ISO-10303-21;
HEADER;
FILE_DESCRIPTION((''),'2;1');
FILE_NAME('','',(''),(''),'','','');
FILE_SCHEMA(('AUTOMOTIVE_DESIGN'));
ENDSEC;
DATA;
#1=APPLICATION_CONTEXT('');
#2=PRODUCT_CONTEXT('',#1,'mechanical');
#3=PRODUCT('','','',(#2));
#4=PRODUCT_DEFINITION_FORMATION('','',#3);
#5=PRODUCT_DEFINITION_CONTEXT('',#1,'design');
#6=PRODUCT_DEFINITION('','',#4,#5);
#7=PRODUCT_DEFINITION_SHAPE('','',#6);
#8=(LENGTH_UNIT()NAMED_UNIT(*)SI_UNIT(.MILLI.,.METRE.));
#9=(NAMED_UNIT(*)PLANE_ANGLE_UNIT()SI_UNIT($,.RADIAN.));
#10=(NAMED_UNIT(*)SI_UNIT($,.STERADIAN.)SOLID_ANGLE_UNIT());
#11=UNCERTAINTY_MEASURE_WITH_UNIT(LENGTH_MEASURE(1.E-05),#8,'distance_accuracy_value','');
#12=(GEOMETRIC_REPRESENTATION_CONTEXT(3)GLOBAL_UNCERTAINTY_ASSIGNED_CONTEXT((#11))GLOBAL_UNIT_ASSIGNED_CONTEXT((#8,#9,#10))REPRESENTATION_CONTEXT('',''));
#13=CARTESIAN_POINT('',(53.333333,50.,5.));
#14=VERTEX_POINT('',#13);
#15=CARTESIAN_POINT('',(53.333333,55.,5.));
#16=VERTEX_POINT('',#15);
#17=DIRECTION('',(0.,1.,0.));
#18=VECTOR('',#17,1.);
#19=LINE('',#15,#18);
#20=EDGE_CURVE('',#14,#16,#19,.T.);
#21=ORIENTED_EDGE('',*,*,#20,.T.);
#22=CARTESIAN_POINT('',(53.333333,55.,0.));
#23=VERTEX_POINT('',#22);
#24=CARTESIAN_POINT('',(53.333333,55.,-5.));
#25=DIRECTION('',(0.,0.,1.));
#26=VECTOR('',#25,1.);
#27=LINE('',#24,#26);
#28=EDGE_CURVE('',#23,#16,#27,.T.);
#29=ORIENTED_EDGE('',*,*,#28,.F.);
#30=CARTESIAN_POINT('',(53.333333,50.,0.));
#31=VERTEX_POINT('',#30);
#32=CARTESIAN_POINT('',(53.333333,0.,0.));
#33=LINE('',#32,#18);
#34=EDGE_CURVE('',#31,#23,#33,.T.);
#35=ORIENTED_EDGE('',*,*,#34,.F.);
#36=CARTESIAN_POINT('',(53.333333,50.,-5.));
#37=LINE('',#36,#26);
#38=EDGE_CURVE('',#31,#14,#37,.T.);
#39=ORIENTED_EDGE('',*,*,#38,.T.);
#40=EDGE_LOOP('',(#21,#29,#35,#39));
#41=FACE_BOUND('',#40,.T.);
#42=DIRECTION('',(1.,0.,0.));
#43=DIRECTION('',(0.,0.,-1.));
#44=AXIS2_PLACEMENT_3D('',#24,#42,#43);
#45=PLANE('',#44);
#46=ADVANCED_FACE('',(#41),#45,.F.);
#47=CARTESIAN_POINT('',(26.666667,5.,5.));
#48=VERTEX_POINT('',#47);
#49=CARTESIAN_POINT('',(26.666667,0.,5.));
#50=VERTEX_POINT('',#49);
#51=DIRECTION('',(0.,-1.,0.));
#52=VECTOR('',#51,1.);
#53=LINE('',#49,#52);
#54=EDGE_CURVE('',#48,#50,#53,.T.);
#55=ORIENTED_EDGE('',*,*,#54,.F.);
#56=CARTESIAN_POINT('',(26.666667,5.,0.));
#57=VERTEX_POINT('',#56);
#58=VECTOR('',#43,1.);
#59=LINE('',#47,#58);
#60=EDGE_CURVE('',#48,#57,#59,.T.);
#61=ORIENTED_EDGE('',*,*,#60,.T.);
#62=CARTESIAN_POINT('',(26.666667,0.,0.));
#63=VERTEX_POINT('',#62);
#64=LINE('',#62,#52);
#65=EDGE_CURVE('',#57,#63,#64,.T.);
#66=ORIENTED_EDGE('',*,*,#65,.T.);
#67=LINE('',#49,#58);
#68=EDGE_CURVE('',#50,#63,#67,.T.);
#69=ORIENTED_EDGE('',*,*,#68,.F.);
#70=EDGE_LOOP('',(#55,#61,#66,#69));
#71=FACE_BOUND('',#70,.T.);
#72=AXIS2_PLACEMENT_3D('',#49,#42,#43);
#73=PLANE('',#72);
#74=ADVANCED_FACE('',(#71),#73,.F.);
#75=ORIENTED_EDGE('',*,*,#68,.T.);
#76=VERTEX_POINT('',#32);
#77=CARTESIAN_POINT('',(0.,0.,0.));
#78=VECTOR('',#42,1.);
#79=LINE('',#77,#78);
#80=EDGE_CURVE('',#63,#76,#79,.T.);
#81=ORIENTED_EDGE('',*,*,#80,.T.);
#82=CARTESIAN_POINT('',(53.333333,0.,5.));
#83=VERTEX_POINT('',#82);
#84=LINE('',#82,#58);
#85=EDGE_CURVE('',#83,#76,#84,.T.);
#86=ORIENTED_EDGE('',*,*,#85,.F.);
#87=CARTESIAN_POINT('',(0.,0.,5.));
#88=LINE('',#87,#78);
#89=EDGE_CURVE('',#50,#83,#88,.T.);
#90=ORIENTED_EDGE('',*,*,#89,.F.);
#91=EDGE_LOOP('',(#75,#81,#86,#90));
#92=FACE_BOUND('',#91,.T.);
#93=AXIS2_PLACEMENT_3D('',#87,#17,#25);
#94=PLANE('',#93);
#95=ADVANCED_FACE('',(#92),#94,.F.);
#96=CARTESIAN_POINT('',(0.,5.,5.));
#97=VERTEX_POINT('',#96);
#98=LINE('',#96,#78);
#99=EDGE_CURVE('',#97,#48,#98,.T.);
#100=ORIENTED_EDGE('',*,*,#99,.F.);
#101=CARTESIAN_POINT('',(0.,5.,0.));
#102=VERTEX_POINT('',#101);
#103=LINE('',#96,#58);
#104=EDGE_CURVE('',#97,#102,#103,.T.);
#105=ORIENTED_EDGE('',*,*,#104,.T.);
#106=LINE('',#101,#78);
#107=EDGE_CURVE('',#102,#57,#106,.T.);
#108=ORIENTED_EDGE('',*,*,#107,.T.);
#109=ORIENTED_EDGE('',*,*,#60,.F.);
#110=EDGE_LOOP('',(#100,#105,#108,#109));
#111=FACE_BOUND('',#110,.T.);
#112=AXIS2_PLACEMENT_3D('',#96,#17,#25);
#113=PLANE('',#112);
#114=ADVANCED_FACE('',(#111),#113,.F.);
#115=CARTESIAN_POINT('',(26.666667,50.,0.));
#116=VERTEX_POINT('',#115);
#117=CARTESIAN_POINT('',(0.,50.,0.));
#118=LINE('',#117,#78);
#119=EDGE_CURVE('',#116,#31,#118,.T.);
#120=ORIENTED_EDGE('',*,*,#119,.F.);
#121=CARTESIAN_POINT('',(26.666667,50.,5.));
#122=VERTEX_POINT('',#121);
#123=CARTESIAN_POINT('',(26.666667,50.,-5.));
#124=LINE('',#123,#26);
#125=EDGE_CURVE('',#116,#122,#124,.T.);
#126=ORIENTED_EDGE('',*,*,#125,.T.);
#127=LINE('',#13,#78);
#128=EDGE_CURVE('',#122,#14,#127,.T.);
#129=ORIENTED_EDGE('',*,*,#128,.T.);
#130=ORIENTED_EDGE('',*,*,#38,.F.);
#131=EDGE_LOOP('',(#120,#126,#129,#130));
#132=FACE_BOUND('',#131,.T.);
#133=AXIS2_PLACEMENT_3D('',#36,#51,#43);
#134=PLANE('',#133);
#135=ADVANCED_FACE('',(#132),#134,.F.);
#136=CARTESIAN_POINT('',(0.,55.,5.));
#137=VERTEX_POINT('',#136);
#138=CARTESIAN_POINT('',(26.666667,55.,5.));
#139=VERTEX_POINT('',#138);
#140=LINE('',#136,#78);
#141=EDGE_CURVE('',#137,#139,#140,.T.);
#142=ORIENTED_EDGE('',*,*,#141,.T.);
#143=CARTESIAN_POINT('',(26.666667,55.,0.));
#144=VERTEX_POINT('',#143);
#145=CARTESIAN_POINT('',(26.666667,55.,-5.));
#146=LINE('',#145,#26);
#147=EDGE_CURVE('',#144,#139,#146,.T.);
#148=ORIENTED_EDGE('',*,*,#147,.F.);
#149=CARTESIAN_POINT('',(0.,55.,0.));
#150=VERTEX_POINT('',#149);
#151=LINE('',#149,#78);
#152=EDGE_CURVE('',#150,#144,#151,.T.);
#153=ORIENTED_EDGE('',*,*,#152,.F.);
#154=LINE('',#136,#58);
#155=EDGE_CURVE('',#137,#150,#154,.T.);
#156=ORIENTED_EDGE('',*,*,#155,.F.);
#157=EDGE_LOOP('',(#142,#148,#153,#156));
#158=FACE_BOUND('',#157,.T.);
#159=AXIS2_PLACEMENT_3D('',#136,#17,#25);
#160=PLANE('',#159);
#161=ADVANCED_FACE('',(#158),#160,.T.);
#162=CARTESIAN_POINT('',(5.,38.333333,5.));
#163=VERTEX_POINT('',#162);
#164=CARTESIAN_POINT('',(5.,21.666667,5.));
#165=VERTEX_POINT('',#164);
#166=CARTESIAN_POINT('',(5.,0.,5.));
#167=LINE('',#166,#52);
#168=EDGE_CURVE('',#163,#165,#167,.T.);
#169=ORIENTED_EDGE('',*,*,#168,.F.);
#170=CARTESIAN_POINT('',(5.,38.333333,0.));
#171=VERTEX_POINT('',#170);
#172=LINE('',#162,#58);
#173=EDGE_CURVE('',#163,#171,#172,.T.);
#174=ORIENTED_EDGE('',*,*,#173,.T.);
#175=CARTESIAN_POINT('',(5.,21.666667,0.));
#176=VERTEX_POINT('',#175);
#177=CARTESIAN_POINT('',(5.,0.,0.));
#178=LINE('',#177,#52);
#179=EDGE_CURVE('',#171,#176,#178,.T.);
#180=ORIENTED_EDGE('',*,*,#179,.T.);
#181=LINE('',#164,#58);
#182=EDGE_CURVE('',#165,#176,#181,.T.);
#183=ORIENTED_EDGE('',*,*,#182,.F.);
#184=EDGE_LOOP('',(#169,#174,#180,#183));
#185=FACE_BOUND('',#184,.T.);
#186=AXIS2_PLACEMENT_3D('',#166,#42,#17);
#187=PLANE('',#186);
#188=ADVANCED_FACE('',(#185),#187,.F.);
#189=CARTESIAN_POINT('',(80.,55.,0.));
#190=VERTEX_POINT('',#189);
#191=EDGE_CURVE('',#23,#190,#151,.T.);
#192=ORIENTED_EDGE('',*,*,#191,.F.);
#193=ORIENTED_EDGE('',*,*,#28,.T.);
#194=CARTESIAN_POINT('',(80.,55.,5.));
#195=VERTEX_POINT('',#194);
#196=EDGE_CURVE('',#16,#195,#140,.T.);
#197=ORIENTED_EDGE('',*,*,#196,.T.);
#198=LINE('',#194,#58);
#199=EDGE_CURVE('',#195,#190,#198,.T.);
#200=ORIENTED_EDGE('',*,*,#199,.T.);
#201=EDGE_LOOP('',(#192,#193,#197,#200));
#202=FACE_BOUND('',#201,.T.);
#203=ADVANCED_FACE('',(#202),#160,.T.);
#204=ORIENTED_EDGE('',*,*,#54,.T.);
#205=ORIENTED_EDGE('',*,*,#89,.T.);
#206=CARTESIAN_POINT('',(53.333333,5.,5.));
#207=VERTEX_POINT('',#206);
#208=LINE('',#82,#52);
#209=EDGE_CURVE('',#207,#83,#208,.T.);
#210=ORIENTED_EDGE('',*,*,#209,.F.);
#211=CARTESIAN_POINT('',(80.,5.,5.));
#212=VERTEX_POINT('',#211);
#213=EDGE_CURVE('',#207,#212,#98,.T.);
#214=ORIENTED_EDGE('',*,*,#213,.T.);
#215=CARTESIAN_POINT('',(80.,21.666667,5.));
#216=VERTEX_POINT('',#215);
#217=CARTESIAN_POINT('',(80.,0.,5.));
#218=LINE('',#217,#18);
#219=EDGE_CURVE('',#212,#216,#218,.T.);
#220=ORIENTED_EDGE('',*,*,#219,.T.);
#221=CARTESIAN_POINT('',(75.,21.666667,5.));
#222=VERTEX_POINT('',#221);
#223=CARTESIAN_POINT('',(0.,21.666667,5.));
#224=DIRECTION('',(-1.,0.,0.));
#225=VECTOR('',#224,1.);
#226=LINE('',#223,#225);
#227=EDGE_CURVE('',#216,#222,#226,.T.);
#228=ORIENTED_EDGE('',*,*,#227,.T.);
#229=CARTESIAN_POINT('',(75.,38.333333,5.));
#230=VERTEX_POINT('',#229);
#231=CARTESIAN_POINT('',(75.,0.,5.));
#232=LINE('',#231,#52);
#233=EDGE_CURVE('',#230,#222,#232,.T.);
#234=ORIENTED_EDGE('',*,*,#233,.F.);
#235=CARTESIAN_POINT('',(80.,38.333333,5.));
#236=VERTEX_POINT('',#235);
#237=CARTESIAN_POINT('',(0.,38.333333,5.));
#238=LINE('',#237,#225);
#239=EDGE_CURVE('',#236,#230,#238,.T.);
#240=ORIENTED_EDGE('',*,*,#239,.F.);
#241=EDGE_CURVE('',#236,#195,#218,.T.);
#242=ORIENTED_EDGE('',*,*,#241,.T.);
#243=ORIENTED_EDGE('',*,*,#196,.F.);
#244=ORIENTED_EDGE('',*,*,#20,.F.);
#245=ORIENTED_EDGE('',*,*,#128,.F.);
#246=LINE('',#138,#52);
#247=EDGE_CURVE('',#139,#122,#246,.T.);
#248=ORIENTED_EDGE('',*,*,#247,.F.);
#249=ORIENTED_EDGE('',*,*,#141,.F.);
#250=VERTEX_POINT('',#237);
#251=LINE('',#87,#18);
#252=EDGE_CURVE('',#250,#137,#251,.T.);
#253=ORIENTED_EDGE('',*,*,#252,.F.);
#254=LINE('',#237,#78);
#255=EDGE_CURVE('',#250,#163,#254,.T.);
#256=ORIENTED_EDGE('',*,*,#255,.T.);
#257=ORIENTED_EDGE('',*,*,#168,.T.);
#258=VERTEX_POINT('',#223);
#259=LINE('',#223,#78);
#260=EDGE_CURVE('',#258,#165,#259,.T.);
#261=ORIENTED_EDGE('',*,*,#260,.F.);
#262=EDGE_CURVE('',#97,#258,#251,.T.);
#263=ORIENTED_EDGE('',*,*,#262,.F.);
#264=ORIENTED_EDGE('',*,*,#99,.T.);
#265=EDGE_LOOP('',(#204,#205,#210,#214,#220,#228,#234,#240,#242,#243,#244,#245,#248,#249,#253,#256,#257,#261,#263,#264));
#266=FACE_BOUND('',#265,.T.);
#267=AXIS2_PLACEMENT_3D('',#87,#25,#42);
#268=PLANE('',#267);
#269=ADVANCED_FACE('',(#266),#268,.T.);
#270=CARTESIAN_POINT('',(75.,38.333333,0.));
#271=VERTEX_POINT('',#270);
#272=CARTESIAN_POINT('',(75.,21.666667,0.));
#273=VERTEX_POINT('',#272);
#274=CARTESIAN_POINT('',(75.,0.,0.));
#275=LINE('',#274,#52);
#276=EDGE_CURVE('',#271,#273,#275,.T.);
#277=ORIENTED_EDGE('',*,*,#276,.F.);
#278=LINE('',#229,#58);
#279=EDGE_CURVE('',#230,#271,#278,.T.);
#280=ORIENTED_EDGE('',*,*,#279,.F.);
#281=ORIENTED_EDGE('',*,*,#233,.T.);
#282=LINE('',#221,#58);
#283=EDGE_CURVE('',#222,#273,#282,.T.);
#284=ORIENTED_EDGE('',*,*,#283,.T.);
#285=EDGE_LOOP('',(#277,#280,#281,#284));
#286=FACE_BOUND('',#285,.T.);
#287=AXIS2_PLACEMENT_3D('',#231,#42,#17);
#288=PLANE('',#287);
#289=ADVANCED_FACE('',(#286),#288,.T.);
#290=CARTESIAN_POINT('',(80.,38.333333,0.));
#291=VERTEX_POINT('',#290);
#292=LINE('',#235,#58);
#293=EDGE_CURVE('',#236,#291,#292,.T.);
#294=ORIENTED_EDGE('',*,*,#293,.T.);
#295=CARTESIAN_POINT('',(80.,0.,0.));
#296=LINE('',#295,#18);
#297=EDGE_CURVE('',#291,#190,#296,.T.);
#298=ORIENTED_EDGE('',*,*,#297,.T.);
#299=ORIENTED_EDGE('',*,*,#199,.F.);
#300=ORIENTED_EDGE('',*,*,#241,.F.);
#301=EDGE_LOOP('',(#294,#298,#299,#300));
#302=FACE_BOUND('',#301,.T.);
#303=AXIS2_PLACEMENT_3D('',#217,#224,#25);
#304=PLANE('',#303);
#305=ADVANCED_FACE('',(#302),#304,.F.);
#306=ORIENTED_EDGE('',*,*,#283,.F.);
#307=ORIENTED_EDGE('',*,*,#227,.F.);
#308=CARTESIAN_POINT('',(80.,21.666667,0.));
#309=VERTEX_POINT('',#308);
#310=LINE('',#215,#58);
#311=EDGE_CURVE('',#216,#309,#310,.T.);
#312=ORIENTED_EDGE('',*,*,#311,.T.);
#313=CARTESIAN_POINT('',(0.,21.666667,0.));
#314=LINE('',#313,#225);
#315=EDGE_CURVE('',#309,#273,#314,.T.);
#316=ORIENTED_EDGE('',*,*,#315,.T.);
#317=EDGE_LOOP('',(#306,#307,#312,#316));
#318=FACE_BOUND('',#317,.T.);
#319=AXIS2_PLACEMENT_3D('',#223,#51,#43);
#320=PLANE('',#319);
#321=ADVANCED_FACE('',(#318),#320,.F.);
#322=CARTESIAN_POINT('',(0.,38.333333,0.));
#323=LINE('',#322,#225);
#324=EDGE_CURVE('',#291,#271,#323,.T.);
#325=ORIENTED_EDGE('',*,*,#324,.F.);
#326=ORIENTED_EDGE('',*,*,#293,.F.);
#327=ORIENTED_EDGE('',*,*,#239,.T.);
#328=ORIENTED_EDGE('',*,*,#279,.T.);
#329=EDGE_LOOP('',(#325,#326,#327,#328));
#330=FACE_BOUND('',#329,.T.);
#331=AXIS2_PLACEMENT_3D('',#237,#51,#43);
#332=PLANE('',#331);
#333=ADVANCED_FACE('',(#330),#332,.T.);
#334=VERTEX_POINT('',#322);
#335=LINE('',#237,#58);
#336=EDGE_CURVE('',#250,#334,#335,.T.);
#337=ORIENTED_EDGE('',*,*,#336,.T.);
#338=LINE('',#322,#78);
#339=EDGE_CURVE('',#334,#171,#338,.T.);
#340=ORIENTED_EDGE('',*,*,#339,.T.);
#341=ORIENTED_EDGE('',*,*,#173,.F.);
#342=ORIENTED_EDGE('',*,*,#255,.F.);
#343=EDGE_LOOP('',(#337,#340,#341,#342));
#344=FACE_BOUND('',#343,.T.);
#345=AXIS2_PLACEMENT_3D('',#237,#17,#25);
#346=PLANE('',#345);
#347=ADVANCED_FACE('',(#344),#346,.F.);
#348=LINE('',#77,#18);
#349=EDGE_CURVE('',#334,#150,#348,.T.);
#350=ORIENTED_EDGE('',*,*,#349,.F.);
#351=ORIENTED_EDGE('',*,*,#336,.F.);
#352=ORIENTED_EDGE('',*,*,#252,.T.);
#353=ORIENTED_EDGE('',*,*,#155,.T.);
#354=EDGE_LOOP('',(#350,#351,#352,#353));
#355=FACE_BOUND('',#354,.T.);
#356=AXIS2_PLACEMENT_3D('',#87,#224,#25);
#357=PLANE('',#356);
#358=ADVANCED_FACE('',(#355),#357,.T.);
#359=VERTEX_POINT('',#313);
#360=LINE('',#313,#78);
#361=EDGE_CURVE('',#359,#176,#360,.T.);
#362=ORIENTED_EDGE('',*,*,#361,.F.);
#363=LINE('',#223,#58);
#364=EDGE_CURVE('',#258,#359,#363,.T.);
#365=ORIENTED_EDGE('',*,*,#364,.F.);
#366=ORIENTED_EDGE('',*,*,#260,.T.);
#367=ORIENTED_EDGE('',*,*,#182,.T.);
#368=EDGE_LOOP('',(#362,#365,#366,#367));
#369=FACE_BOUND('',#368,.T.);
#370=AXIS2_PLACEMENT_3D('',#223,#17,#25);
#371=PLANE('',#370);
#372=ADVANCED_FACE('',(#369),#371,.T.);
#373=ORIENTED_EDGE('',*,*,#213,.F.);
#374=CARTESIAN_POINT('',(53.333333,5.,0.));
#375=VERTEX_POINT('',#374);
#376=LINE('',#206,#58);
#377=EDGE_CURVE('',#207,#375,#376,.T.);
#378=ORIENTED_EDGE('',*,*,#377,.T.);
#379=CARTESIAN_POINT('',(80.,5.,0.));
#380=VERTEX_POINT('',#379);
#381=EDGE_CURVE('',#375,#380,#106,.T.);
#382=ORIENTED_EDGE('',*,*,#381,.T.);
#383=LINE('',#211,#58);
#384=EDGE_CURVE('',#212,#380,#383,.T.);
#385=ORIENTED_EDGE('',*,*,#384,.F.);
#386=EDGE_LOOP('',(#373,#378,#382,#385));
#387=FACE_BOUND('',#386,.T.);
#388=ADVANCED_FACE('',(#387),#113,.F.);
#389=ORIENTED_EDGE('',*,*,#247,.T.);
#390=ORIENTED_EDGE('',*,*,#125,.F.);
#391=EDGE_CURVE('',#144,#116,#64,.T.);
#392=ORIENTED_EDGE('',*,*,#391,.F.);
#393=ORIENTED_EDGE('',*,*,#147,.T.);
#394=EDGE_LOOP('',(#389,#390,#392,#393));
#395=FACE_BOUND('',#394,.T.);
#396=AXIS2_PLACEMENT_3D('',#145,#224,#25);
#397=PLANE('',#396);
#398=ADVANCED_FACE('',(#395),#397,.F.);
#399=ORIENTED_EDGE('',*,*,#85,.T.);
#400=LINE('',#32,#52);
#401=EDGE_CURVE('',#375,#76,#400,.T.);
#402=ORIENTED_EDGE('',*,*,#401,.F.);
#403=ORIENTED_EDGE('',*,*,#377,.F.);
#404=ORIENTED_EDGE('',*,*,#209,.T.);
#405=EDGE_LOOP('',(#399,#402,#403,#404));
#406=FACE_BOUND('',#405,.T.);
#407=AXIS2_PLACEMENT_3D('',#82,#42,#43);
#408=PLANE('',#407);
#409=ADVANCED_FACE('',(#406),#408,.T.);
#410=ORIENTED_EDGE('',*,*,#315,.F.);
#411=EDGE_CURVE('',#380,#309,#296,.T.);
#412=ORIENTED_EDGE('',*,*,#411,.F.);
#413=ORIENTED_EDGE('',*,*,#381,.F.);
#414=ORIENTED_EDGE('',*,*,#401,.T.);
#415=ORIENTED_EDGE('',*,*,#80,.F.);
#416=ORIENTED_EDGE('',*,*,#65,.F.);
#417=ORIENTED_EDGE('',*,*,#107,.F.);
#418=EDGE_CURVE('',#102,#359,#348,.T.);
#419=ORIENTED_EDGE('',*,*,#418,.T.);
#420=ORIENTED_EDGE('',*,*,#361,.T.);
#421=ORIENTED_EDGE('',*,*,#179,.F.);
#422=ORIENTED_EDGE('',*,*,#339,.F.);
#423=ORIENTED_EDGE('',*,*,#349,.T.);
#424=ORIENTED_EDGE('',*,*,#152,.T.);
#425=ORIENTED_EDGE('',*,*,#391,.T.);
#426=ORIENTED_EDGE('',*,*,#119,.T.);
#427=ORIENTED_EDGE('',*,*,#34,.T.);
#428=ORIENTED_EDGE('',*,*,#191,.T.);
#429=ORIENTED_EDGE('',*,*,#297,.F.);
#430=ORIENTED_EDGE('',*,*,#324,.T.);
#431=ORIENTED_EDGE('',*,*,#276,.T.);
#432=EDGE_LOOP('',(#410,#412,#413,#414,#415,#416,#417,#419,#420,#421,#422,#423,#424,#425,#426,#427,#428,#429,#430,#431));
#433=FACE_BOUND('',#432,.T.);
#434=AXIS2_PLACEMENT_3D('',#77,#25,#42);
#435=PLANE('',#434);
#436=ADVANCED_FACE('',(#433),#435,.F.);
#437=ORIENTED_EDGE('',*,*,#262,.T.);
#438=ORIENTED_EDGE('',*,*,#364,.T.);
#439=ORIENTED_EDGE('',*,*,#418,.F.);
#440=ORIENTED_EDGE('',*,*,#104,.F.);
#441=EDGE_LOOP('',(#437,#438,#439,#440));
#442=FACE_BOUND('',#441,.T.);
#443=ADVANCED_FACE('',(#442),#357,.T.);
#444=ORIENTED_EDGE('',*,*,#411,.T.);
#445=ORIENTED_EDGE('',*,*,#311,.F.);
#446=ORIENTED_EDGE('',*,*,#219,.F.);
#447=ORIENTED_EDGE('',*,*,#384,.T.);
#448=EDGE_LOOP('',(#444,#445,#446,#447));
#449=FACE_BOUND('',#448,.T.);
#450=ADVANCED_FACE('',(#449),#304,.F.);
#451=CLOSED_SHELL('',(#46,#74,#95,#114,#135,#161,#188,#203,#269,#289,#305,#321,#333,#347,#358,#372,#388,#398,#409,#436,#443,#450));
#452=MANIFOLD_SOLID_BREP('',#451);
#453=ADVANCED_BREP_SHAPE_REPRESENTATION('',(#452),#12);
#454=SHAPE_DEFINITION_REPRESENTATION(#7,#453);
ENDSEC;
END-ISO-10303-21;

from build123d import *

# Parameters (mm, degrees)
SALIENTE_EXTRUIR1_DEPTH = 5
CROQUIS2_W              = 26.666666666
CROQUIS2_H              = 5
CORTAR_EXTRUIR1_DEPTH   = 10


with BuildPart() as part:
    # Croquis1 → Saliente-Extruir1 (new body)
    with BuildSketch(Plane.XY):
        Polygon((0, 21.666666667), (0, 5), (26.666666667, 5), (26.666666667, 0), (53.333333333, 0), (53.333333333, 5), (80, 5), (80, 21.666666667), (75, 21.666666667), (75, 38.333333333), (80, 38.333333333), (80, 55), (0, 55), (0, 38.333333333), (5, 38.333333333), (5, 21.666666667), align=None)
    extrude(amount=SALIENTE_EXTRUIR1_DEPTH)

    # Croquis2 → Cortar-Extruir1 (cut)
    with BuildSketch(Plane.XY.offset(5)):
        with Locations((40, 52.5)):
            Rectangle(CROQUIS2_W, CROQUIS2_H)
    extrude(amount=-CORTAR_EXTRUIR1_DEPTH, mode=Mode.SUBTRACT)


solid = part.part
